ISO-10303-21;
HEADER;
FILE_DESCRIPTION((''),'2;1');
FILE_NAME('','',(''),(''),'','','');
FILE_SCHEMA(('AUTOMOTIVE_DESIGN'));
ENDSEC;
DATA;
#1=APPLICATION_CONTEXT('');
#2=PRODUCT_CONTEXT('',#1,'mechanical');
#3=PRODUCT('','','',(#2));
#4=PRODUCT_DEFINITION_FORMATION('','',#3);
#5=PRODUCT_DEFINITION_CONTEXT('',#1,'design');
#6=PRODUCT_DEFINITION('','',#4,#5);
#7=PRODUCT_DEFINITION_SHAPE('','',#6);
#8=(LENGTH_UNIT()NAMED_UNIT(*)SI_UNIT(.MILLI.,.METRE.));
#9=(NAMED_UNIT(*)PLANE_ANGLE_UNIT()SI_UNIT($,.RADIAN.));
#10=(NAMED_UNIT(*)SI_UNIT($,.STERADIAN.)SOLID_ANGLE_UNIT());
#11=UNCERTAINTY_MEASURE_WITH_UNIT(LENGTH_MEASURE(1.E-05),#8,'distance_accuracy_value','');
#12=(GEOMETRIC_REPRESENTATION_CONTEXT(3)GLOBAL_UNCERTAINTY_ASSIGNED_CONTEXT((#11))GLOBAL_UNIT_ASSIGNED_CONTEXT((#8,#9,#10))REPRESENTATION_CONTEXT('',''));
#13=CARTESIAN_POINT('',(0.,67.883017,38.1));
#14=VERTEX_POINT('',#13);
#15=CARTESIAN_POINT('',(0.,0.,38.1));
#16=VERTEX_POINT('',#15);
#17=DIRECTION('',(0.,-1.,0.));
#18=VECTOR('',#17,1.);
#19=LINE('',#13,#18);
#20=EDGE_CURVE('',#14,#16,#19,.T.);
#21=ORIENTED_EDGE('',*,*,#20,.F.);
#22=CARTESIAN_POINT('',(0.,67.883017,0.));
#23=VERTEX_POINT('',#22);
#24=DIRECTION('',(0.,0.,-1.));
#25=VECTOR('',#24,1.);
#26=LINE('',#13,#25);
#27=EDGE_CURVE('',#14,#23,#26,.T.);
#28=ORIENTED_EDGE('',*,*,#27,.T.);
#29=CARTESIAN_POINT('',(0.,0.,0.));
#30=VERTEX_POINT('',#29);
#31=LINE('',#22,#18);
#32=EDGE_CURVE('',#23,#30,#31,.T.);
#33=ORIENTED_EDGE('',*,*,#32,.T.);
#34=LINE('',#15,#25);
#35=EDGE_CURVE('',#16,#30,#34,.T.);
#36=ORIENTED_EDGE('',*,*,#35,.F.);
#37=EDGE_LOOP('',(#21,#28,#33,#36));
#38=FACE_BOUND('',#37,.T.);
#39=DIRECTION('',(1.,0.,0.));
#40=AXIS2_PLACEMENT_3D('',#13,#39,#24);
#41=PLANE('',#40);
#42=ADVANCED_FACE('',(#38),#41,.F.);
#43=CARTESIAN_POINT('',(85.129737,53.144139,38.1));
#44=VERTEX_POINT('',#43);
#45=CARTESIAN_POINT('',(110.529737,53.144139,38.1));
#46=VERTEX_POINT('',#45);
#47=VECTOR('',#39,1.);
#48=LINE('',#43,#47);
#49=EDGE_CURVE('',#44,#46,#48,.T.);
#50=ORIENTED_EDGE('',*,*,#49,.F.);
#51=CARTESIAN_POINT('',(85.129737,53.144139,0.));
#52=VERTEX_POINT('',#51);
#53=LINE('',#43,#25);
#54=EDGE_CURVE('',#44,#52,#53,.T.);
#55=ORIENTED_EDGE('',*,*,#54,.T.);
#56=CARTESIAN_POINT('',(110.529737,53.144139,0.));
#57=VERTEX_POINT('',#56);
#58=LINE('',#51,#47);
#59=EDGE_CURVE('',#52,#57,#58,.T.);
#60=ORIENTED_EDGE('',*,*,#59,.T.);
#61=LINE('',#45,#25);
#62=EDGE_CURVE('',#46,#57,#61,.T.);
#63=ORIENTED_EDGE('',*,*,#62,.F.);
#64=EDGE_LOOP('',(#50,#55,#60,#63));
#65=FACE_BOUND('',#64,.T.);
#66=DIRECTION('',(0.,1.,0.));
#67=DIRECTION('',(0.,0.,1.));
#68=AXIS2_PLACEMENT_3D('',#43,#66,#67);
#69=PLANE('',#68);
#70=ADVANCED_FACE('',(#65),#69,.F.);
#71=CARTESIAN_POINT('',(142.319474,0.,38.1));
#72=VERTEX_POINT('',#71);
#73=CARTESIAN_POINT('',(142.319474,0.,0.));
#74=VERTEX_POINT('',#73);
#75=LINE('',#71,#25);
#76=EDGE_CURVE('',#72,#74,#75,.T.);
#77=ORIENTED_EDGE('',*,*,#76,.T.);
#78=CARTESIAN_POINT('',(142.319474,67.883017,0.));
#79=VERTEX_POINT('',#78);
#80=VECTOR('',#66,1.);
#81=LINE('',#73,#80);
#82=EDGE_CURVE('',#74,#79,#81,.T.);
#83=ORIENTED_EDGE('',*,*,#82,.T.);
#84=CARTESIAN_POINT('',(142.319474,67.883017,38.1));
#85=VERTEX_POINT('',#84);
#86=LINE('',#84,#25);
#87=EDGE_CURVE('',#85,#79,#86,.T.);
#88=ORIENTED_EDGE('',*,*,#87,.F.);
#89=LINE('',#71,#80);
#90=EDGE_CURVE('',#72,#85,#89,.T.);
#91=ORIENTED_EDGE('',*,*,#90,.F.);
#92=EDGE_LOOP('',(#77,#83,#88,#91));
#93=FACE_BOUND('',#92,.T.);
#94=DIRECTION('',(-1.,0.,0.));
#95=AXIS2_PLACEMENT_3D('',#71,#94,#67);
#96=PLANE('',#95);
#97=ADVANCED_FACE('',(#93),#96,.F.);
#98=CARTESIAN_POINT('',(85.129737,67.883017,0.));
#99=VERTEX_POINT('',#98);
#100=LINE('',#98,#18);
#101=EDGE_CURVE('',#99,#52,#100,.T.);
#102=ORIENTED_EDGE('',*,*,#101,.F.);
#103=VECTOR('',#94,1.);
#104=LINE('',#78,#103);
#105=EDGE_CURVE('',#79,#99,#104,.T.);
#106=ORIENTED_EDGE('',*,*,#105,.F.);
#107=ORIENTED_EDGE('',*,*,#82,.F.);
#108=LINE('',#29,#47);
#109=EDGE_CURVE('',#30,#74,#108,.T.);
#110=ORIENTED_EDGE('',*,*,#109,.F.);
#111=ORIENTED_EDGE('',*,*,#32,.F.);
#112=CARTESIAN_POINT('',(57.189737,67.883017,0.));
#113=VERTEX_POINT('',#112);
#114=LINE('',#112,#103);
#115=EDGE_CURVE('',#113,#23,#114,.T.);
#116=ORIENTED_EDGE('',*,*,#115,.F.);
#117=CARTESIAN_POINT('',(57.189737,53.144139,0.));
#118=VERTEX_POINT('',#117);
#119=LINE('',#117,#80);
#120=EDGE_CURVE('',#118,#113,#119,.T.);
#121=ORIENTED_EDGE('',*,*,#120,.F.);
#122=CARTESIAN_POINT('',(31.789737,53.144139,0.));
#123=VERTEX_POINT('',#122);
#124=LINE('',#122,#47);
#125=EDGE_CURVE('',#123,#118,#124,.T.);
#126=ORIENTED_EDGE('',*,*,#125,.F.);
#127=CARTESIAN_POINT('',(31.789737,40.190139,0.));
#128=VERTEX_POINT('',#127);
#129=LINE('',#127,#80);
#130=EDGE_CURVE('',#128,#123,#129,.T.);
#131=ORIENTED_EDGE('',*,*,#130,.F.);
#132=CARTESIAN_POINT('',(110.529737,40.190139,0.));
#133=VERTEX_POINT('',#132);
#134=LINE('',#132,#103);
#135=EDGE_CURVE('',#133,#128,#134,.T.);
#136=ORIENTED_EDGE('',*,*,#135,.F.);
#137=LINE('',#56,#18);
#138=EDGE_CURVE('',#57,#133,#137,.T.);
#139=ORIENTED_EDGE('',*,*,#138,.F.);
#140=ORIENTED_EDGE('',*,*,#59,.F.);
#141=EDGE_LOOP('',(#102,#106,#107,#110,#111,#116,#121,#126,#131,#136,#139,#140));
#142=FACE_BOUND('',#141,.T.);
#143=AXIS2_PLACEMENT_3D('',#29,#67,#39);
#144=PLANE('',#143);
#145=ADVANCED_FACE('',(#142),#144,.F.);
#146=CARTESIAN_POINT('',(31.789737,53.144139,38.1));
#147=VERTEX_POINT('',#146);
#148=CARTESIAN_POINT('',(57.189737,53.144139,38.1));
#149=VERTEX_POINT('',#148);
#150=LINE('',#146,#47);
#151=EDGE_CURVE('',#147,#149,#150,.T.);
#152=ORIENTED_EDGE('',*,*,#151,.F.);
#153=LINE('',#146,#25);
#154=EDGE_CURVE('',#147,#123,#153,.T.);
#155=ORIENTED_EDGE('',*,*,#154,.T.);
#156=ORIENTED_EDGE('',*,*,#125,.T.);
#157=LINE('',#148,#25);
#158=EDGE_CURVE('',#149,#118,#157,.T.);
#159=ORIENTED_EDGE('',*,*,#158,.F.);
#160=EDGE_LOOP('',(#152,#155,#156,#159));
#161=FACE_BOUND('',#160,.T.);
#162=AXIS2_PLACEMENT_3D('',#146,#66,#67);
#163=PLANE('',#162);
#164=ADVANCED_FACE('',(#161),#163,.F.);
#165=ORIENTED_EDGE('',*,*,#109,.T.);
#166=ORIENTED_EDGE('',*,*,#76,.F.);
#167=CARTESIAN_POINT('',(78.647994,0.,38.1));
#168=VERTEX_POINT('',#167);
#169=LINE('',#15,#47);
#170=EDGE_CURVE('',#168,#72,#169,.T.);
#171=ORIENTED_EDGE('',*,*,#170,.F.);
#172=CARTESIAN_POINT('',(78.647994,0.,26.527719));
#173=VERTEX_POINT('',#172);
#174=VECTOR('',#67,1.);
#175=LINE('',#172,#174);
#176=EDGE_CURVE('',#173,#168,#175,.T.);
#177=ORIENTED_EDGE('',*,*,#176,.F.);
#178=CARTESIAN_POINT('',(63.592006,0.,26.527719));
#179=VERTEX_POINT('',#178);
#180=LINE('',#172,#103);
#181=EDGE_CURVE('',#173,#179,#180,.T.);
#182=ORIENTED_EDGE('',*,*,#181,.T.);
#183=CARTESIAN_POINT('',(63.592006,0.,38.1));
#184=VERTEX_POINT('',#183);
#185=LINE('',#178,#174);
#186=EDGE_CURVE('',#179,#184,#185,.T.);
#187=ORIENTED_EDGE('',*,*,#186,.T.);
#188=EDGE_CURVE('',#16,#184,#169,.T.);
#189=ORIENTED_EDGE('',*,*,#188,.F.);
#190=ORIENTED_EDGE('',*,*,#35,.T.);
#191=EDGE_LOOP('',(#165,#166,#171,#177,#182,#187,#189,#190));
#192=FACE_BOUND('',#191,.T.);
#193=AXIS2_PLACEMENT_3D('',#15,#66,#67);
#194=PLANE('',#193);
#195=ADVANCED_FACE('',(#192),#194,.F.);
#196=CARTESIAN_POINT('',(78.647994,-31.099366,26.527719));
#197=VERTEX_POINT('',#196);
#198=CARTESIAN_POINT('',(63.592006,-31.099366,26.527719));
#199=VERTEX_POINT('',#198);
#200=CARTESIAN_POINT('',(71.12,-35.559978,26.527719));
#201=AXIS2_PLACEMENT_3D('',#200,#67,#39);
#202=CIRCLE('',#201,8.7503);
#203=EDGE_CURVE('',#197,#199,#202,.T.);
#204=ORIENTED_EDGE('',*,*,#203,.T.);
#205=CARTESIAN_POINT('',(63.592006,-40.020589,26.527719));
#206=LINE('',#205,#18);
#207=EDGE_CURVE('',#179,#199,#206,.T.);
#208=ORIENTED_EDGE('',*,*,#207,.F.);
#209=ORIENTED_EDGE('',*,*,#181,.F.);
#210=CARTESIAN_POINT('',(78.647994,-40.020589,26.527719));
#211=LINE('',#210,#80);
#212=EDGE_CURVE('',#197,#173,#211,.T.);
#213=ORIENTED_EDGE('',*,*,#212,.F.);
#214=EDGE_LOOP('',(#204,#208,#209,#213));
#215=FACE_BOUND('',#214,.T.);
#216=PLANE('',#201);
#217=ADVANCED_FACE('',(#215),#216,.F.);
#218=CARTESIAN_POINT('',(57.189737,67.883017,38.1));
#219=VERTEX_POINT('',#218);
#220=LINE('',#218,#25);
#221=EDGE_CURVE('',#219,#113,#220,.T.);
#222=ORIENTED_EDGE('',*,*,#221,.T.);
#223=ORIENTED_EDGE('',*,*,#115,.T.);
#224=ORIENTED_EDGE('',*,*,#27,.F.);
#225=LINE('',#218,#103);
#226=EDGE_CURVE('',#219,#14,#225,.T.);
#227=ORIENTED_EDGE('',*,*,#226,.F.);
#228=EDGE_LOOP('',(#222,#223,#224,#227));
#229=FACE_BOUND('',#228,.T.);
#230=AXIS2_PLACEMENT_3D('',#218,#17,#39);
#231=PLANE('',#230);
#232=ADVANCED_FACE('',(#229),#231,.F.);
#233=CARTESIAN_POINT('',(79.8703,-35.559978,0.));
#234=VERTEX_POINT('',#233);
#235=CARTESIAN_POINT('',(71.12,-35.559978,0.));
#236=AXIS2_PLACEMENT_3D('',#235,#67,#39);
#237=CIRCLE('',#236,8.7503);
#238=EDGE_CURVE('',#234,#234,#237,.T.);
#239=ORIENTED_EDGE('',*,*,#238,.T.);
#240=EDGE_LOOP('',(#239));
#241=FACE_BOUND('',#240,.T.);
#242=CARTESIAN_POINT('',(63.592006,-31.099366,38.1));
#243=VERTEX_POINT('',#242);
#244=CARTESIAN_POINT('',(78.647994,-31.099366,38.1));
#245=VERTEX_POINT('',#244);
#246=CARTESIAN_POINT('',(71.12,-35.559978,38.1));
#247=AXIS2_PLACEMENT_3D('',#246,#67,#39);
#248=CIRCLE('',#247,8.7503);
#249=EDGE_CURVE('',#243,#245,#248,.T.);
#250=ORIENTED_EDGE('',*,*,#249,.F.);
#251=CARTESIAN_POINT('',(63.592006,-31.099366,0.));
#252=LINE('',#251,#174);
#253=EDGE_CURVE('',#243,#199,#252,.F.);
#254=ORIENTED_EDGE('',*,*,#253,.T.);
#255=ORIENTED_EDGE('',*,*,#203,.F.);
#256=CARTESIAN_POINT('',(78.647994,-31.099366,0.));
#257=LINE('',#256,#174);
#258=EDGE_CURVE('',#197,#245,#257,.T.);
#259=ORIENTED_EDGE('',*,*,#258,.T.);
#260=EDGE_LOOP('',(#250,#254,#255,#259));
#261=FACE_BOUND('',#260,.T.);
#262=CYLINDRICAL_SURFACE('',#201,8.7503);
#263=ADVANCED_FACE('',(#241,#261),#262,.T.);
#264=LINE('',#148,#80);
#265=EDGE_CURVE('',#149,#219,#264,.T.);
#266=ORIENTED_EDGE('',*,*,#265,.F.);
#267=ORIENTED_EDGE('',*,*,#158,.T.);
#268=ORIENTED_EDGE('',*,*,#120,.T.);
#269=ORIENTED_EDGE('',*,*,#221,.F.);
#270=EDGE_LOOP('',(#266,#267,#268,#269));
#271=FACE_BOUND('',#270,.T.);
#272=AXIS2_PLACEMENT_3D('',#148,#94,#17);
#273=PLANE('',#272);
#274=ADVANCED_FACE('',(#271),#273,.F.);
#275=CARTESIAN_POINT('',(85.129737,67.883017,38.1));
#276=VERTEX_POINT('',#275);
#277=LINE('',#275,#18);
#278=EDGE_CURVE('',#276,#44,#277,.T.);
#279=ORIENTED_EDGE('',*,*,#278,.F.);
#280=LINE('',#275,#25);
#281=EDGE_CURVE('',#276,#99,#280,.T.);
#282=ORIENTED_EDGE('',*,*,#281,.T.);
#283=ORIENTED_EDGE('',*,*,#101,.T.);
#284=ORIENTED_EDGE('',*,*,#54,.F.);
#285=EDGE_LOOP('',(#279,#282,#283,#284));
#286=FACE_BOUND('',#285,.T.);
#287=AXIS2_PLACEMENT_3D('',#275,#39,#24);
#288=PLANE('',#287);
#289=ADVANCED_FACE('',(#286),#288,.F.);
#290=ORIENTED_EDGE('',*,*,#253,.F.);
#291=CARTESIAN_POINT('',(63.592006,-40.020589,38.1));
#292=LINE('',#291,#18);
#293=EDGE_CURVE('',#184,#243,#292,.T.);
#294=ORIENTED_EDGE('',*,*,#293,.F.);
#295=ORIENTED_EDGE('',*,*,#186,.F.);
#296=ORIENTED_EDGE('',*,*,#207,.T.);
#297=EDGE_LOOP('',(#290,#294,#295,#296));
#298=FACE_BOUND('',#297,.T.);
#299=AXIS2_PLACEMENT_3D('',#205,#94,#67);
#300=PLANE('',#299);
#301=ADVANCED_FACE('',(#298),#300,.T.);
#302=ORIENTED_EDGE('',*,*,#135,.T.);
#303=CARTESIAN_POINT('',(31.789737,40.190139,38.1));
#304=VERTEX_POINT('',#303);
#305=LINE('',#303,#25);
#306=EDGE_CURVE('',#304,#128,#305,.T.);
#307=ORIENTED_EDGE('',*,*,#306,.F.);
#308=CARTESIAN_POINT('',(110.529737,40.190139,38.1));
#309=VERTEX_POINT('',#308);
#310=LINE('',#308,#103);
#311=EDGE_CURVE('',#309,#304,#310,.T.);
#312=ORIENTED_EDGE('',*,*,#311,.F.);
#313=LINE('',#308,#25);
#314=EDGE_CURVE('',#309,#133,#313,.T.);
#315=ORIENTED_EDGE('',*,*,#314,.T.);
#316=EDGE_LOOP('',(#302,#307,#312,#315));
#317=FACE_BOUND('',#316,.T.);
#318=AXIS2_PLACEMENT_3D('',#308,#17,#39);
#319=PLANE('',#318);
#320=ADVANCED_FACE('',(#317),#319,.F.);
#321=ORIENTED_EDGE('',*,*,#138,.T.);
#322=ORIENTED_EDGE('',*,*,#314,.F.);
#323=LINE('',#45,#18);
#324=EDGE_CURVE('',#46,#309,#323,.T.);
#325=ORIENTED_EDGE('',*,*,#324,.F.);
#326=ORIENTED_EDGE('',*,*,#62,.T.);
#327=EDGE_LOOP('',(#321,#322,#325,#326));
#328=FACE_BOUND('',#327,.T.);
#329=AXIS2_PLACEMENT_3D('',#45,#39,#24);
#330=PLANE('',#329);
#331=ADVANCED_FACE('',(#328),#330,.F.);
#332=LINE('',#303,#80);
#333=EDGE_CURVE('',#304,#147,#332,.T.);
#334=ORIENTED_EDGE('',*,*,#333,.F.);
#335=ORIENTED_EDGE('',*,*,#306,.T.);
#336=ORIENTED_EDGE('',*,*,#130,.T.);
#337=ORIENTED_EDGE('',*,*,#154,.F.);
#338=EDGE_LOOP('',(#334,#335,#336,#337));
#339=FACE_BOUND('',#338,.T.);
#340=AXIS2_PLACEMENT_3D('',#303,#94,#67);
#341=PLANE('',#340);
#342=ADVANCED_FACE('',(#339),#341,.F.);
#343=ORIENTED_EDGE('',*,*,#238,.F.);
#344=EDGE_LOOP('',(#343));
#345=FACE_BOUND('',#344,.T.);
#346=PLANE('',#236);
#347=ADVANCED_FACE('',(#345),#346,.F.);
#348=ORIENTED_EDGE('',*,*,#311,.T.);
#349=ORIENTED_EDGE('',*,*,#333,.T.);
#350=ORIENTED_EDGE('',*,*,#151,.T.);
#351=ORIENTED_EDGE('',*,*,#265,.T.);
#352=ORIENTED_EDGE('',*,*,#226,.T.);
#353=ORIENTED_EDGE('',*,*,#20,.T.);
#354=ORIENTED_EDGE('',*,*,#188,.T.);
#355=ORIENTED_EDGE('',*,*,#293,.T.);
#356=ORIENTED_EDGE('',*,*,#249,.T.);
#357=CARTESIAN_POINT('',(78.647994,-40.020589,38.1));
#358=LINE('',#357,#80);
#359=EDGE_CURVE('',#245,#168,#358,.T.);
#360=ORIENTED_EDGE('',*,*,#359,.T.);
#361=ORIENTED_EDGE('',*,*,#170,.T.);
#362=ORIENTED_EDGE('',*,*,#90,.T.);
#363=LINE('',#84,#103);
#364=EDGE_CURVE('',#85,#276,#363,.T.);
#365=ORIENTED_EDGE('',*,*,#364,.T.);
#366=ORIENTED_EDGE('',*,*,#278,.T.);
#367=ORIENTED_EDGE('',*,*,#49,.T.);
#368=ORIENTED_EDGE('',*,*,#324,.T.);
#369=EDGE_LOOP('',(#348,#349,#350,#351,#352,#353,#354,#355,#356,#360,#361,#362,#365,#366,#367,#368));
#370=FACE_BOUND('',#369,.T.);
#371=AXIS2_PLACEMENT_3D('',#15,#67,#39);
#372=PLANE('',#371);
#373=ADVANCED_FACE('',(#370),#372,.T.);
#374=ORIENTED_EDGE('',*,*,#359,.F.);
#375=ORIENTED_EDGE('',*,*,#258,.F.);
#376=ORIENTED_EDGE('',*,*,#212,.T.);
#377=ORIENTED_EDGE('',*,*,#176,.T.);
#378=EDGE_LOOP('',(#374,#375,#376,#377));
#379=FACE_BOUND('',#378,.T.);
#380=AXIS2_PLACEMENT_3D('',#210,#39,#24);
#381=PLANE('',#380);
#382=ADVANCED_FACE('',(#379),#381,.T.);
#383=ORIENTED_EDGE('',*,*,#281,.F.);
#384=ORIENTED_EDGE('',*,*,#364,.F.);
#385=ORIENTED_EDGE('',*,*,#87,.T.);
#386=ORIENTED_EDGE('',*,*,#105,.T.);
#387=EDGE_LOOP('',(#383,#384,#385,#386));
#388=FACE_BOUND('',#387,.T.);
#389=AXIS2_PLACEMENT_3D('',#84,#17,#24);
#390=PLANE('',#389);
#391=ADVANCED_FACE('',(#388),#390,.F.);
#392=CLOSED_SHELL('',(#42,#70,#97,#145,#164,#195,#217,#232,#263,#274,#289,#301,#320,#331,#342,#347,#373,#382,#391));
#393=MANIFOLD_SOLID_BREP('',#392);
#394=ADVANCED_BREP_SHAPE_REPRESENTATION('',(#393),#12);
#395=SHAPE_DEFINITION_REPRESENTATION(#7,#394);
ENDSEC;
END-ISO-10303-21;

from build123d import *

# Parameters (mm, degrees)
BOSS_EXTRUDE1_DEPTH = 38.1
SKETCH2_R           = 8.7503
BOSS_EXTRUDE2_DEPTH = 38.1
BOSS_EXTRUDE6_DEPTH = 11.572281197


with BuildPart() as part:
    # Sketch1 → Boss-Extrude1 (new body)
    with BuildSketch(Plane.XY):
        Polygon((0, 0), (142.319474343, 0), (142.319474343, 67.883016851), (85.129737171, 67.883016851), (85.129737171, 53.144138708), (110.529737171, 53.144138708), (110.529737171, 40.190138708), (31.789737171, 40.190138708), (31.789737171, 53.144138708), (57.189737171, 53.144138708), (57.189737171, 67.883016851), (0, 67.883016851), align=None)
    extrude(amount=BOSS_EXTRUDE1_DEPTH)



with BuildPart() as body_2:
    # Sketch2 → Boss-Extrude2 (new body)
    with BuildSketch(Plane.XY.offset(38.1)):
        with Locations((71.120000025, -35.559977798)):
            Circle(SKETCH2_R)
    extrude(amount=-BOSS_EXTRUDE2_DEPTH)


with BuildPart() as part_1:
    add(part.part)

    add(body_2.part)  # Boss-Extrude6 merges body 2
    # Sketch8 → Boss-Extrude6 (add)
    with BuildSketch(Plane.XY.offset(38.1)):
        with BuildLine():
            Line((63.59200581, -40.020589099), (63.59200581, 0))
            Line((63.59200581, 0), (78.647994227, 0))
            Line((78.647994227, 0), (78.647994227, -40.020589121))
            ThreePointArc((78.647994227, -40.020589121), (71.120000012, -44.310277798), (63.59200581, -40.020589099))
        make_face()
    extrude(amount=-BOSS_EXTRUDE6_DEPTH)


solid = part_1.part
